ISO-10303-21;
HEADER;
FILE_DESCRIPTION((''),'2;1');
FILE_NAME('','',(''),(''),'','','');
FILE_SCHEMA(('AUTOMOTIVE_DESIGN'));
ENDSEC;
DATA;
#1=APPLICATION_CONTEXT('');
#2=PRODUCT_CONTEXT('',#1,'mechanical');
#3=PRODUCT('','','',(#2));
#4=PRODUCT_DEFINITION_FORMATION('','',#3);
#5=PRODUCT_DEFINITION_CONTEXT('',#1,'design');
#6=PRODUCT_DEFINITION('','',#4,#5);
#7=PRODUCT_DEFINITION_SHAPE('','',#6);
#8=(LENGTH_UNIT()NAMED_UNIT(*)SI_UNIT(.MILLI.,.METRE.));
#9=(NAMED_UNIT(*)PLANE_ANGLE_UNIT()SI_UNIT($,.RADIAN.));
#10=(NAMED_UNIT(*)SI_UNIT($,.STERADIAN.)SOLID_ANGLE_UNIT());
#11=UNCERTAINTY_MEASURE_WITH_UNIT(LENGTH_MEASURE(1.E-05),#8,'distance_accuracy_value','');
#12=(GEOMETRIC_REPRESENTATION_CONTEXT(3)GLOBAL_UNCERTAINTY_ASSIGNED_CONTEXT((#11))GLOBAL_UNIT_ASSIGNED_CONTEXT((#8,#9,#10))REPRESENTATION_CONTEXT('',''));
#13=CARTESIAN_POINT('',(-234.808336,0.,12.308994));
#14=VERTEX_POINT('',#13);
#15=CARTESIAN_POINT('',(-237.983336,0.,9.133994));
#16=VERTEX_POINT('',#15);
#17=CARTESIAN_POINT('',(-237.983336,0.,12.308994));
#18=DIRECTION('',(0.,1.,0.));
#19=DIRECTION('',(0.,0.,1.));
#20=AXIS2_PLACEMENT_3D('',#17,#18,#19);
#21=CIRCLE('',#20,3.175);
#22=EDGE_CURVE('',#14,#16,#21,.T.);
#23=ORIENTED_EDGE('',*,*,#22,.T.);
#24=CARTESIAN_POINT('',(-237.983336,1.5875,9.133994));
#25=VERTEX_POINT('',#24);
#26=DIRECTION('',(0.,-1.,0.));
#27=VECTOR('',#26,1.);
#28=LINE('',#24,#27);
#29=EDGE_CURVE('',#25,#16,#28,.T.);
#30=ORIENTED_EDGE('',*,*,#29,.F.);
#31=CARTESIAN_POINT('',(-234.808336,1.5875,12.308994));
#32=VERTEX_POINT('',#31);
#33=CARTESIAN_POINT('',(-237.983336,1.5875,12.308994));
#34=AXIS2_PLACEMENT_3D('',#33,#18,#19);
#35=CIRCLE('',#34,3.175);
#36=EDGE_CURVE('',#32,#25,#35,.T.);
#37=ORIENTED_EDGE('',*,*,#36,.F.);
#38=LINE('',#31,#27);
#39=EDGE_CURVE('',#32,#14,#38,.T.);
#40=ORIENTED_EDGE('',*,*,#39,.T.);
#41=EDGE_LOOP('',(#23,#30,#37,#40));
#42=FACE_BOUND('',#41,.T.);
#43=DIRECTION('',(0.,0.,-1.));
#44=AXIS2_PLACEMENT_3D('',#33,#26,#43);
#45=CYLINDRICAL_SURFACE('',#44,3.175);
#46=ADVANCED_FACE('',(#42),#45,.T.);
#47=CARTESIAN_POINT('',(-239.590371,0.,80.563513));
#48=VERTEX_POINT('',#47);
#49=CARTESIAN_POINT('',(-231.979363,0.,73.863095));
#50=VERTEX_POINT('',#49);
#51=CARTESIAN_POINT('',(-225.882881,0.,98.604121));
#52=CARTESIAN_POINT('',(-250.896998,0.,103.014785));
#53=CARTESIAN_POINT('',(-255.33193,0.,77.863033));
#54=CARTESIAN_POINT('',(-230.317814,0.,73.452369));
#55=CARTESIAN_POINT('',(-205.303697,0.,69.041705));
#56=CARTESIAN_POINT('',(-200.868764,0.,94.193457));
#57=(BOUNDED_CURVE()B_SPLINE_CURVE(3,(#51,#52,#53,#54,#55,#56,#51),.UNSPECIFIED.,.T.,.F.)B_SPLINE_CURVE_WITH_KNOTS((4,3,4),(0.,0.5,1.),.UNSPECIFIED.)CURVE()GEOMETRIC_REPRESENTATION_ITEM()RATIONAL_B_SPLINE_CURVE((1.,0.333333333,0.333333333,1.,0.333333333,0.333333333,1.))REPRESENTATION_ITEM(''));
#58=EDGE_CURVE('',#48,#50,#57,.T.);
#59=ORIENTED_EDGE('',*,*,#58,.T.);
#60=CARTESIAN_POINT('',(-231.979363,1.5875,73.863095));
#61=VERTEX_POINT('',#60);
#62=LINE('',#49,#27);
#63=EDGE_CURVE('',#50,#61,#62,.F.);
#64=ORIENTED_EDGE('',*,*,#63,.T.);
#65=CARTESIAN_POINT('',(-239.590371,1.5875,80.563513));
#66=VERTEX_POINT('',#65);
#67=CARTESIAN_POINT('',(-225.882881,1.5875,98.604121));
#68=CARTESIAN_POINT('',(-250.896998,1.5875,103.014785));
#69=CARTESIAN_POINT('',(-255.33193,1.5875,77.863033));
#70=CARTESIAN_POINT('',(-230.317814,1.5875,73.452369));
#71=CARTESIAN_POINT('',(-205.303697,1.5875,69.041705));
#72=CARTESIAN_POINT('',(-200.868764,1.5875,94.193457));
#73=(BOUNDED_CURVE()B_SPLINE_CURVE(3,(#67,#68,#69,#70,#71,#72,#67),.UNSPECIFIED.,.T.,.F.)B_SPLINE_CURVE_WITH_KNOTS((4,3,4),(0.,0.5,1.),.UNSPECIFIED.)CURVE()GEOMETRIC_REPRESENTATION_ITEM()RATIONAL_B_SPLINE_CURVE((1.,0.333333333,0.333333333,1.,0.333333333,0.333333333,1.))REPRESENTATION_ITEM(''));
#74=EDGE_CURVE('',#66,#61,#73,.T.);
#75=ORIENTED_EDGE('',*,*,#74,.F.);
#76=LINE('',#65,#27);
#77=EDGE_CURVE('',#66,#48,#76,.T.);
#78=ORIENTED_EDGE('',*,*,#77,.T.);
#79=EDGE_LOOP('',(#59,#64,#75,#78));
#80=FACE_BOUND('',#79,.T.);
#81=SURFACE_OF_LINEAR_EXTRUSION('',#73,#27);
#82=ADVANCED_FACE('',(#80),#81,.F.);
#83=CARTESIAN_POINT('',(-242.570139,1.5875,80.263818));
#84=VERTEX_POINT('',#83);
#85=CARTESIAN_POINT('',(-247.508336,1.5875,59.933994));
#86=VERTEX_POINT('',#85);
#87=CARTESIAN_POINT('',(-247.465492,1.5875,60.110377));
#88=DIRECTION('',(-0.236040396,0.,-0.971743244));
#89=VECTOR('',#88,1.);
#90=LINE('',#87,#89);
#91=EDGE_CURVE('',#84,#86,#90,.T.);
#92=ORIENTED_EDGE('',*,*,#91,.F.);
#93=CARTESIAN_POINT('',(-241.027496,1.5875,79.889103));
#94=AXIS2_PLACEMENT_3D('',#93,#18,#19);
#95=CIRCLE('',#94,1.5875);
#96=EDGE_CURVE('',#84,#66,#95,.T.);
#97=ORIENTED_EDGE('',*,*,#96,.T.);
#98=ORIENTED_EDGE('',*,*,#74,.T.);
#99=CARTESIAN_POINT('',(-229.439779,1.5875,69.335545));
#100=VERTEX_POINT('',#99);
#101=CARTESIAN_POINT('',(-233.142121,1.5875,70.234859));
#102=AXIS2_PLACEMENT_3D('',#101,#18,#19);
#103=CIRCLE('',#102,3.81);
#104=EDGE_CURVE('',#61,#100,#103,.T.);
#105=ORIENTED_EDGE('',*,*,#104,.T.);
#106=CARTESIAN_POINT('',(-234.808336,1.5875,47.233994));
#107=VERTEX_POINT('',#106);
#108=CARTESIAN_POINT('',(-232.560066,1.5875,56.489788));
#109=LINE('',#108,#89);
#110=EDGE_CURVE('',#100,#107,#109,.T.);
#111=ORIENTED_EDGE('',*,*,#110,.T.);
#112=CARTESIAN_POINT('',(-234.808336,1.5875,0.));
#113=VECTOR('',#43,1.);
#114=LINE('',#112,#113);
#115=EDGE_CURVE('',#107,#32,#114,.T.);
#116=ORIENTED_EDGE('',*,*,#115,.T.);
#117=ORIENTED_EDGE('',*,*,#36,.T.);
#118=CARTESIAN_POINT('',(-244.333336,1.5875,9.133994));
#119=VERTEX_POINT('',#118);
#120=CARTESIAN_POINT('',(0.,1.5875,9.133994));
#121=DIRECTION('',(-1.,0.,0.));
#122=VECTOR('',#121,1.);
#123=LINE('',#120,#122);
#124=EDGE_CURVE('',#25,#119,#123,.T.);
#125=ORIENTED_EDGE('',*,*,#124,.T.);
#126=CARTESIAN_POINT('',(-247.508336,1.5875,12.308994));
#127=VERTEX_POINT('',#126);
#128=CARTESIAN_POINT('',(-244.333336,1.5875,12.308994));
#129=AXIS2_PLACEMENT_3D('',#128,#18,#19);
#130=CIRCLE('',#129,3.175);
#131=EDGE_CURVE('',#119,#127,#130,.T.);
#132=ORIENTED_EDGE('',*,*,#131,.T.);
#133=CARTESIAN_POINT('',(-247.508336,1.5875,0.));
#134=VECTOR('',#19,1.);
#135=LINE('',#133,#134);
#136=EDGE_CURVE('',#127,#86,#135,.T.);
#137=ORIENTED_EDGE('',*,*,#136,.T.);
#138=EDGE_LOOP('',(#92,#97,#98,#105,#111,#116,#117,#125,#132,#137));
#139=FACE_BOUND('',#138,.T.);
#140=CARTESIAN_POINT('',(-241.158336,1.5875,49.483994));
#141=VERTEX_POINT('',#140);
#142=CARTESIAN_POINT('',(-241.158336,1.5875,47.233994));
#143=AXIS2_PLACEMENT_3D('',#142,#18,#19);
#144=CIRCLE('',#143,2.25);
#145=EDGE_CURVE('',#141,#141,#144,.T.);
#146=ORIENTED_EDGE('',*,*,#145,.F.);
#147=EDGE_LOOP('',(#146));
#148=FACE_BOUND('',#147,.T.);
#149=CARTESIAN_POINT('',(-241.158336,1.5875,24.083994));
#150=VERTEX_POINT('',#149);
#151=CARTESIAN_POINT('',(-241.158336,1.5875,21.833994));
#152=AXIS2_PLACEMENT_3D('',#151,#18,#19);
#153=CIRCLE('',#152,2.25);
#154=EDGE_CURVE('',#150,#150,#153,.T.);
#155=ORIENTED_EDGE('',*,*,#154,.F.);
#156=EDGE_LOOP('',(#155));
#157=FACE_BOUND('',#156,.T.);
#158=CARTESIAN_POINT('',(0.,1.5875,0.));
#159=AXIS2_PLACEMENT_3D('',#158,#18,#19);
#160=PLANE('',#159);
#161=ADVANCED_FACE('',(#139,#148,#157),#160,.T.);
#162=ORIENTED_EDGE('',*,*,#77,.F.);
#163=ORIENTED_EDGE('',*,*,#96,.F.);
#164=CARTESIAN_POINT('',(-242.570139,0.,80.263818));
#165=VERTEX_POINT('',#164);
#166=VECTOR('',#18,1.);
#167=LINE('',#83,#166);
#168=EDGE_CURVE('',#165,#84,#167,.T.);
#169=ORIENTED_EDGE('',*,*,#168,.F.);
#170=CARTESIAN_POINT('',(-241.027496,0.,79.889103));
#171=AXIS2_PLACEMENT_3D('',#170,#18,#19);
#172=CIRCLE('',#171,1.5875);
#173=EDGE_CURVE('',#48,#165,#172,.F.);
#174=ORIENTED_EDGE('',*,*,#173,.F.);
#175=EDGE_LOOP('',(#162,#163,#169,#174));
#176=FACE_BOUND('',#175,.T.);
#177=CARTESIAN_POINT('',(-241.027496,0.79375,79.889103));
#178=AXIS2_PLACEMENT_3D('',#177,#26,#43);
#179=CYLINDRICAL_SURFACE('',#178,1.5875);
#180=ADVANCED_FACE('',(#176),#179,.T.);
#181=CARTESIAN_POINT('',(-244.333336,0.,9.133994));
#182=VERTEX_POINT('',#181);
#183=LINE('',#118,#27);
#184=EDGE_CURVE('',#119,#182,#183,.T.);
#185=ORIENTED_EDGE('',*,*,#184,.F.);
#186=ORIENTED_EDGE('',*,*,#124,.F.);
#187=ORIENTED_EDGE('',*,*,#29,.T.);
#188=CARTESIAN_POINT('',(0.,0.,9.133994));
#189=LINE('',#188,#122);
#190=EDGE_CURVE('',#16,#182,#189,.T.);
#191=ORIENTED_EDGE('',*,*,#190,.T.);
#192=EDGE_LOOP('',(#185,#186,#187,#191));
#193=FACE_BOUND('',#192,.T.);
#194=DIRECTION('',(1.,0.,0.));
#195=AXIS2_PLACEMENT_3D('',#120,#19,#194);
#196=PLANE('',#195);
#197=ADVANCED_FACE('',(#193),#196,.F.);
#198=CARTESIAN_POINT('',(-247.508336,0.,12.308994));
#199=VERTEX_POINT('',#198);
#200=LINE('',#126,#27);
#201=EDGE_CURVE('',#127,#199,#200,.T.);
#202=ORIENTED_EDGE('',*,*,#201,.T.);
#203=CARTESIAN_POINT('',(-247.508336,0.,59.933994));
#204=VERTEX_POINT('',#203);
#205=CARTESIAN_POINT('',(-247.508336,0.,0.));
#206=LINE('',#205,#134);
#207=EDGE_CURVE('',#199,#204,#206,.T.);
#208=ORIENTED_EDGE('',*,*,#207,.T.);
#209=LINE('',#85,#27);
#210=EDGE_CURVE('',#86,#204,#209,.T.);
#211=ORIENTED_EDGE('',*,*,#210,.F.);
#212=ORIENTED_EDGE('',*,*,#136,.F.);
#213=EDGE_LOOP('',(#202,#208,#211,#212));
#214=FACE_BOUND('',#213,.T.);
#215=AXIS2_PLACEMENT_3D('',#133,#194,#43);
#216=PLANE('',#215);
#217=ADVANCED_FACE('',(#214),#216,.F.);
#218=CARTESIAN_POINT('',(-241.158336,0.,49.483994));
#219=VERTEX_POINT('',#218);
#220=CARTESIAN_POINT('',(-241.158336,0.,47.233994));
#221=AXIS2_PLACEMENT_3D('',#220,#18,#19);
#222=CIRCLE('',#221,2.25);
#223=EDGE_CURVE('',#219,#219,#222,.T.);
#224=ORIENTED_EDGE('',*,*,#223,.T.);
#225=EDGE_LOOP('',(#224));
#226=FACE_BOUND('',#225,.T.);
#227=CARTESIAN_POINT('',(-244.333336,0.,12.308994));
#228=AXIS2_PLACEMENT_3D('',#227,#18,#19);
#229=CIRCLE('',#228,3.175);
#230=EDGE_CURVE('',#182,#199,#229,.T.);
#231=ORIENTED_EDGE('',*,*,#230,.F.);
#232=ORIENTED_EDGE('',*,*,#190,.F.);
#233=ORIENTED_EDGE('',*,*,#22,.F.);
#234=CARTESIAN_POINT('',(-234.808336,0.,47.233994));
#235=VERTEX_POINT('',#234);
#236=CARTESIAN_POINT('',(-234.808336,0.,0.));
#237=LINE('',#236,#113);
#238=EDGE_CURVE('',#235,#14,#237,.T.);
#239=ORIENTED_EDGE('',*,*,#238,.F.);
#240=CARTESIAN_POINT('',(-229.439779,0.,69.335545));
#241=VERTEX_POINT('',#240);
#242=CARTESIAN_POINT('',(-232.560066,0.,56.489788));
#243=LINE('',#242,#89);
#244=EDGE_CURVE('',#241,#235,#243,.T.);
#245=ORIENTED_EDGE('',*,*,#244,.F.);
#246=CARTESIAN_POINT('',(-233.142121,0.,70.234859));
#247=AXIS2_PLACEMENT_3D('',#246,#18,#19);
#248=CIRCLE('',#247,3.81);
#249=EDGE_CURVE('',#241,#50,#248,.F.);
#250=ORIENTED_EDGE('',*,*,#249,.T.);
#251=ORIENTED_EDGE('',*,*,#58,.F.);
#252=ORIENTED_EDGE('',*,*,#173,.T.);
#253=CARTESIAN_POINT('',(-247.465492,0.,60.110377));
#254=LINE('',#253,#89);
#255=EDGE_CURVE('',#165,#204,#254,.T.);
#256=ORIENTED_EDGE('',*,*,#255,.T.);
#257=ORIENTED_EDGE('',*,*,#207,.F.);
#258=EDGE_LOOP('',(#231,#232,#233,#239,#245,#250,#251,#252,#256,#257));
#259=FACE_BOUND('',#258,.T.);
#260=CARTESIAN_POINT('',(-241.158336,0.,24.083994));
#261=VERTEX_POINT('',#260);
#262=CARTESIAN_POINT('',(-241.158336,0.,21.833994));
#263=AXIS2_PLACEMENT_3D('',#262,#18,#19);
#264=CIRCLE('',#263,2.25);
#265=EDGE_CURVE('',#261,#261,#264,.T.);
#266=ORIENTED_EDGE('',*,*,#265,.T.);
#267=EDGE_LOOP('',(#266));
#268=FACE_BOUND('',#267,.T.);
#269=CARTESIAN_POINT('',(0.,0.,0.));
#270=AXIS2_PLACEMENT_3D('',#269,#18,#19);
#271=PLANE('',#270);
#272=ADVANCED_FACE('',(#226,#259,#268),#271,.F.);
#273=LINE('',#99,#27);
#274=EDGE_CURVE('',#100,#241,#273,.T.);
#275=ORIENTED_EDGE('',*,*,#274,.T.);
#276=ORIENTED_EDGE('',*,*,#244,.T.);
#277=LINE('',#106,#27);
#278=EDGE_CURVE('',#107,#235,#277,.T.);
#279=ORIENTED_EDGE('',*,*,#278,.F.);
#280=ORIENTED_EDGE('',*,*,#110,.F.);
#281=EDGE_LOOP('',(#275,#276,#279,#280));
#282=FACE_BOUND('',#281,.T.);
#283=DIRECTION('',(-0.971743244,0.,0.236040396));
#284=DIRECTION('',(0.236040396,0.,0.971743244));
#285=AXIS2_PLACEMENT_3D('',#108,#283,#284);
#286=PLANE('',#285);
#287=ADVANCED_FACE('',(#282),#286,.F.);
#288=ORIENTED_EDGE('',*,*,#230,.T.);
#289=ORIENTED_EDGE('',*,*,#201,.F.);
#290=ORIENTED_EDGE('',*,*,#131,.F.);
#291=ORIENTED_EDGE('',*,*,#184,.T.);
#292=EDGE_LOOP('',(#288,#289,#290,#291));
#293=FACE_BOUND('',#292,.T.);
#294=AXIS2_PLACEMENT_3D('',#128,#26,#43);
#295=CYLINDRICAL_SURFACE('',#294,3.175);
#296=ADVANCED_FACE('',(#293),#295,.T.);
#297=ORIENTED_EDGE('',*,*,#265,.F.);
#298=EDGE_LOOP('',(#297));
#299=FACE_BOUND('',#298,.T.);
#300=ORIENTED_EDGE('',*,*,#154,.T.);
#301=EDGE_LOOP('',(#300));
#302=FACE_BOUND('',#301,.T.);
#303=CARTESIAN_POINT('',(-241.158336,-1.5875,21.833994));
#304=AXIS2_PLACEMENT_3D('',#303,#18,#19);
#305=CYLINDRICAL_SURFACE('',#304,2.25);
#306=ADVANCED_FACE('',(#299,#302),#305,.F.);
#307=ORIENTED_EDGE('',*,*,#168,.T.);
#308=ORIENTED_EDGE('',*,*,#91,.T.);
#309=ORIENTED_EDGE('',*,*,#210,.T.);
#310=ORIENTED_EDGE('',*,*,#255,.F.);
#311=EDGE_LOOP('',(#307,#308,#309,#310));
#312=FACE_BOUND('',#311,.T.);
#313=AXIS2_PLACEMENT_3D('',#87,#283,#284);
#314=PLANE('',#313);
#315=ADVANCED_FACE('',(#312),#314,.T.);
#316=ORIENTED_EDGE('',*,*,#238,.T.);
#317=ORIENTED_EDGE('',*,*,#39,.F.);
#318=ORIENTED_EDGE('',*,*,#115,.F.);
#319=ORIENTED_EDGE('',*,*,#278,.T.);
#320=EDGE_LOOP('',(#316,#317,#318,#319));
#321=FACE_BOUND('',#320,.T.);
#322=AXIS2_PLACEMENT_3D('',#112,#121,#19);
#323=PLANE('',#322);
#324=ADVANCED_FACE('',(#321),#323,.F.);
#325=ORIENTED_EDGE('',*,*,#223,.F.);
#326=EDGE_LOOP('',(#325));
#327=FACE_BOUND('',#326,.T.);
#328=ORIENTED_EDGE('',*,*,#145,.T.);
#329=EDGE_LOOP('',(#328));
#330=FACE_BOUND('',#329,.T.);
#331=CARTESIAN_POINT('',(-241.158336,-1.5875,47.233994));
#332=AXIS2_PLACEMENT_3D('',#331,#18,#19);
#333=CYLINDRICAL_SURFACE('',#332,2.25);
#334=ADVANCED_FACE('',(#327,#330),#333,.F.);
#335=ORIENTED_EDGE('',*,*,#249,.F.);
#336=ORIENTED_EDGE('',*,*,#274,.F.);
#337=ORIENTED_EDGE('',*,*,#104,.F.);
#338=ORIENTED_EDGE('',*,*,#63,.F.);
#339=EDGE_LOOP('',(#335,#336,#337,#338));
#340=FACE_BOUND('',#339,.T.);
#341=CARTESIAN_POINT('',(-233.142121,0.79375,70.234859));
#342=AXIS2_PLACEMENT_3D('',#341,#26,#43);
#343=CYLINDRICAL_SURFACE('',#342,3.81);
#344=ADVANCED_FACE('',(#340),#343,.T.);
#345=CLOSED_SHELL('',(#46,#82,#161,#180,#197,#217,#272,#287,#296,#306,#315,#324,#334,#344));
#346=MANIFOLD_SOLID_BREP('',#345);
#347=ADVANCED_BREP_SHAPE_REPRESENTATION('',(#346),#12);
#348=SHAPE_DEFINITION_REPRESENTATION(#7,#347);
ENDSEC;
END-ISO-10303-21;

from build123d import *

# Parameters (mm, degrees)
BOSS_EXTRUDE1_DEPTH = 1.5875
FILLET1_R           = 3.81
FILLET2_R           = 1.5875
SKETCH8_R           = 2.25
CUT_EXTRUDE1_DEPTH  = 3.175


with BuildPart() as part:
    # Sketch1 → Boss-Extrude1 (new body)
    with BuildSketch(Plane(origin=(0, 0, 0), x_dir=(1, 0, 0), z_dir=(0, 1, 0))):
        with BuildLine():
            Line((-247.50833587, -59.933994147), (-240.439659658, -89.034683934))
            add(Edge.make_bspline(
                [(-240.439659658, -89.034683934), (-242.558073639, -80.3134883), (-236.877012866, -74.608932784), (-230.317813562, -73.452368974), (-229.725859184, -73.347991446), (-229.113793878, -73.283589588), (-228.485146838, -73.26562397)],
                knots=[0.241984005, 0.241984005, 0.241984005, 0.241984005, 0.5, 0.5, 0.5, 0.533893072, 0.533893072, 0.533893072, 0.533893072], degree=3, weights=[0.500514049, 0.489483356, 0.655978673, 1, 0.954809238, 0.912681783, 0.873617635]))
            Line((-228.485146838, -73.26562397), (-234.80833587, -47.233994147))
            Line((-234.80833587, -47.233994147), (-234.80833587, -12.308994147))
            ThreePointArc((-234.80833587, -12.308994147), (-235.738271839, -10.063930117), (-237.98333587, -9.133994147))
            Line((-237.98333587, -9.133994147), (-244.33333587, -9.133994147))
            ThreePointArc((-244.33333587, -9.133994147), (-246.5783999, -10.063930117), (-247.50833587, -12.308994147))
            Line((-247.50833587, -12.308994147), (-247.50833587, -59.933994147))
        make_face()
    extrude(amount=BOSS_EXTRUDE1_DEPTH)

    # Fillet1
    fillet1_edges = [part.edges().sort_by_distance(p)[0] for p in [
        (-228.485146838, 0.79375, 73.26562397),
    ]]
    fillet(fillet1_edges, radius=FILLET1_R)

    # Fillet2
    fillet2_edges = [part.edges().sort_by_distance(p)[0] for p in [
        (-240.439659658, 0.79375, 89.034683934),
    ]]
    fillet(fillet2_edges, radius=FILLET2_R)

    # Sketch8 → Cut-Extrude1 (cut)
    with BuildSketch(Plane(origin=(0, 1.5875, 0), x_dir=(1, 0, 0), z_dir=(0, 1, 0))):
        with Locations(Location((-241.15833587, -21.833994147, 0), (0, 0, 270))):
            Circle(SKETCH8_R)
        with Locations(Location((-241.15833587, -47.233994147, 0), (0, 0, 270))):
            Circle(SKETCH8_R)
    extrude(amount=-CUT_EXTRUDE1_DEPTH, mode=Mode.SUBTRACT)


solid = part.part
